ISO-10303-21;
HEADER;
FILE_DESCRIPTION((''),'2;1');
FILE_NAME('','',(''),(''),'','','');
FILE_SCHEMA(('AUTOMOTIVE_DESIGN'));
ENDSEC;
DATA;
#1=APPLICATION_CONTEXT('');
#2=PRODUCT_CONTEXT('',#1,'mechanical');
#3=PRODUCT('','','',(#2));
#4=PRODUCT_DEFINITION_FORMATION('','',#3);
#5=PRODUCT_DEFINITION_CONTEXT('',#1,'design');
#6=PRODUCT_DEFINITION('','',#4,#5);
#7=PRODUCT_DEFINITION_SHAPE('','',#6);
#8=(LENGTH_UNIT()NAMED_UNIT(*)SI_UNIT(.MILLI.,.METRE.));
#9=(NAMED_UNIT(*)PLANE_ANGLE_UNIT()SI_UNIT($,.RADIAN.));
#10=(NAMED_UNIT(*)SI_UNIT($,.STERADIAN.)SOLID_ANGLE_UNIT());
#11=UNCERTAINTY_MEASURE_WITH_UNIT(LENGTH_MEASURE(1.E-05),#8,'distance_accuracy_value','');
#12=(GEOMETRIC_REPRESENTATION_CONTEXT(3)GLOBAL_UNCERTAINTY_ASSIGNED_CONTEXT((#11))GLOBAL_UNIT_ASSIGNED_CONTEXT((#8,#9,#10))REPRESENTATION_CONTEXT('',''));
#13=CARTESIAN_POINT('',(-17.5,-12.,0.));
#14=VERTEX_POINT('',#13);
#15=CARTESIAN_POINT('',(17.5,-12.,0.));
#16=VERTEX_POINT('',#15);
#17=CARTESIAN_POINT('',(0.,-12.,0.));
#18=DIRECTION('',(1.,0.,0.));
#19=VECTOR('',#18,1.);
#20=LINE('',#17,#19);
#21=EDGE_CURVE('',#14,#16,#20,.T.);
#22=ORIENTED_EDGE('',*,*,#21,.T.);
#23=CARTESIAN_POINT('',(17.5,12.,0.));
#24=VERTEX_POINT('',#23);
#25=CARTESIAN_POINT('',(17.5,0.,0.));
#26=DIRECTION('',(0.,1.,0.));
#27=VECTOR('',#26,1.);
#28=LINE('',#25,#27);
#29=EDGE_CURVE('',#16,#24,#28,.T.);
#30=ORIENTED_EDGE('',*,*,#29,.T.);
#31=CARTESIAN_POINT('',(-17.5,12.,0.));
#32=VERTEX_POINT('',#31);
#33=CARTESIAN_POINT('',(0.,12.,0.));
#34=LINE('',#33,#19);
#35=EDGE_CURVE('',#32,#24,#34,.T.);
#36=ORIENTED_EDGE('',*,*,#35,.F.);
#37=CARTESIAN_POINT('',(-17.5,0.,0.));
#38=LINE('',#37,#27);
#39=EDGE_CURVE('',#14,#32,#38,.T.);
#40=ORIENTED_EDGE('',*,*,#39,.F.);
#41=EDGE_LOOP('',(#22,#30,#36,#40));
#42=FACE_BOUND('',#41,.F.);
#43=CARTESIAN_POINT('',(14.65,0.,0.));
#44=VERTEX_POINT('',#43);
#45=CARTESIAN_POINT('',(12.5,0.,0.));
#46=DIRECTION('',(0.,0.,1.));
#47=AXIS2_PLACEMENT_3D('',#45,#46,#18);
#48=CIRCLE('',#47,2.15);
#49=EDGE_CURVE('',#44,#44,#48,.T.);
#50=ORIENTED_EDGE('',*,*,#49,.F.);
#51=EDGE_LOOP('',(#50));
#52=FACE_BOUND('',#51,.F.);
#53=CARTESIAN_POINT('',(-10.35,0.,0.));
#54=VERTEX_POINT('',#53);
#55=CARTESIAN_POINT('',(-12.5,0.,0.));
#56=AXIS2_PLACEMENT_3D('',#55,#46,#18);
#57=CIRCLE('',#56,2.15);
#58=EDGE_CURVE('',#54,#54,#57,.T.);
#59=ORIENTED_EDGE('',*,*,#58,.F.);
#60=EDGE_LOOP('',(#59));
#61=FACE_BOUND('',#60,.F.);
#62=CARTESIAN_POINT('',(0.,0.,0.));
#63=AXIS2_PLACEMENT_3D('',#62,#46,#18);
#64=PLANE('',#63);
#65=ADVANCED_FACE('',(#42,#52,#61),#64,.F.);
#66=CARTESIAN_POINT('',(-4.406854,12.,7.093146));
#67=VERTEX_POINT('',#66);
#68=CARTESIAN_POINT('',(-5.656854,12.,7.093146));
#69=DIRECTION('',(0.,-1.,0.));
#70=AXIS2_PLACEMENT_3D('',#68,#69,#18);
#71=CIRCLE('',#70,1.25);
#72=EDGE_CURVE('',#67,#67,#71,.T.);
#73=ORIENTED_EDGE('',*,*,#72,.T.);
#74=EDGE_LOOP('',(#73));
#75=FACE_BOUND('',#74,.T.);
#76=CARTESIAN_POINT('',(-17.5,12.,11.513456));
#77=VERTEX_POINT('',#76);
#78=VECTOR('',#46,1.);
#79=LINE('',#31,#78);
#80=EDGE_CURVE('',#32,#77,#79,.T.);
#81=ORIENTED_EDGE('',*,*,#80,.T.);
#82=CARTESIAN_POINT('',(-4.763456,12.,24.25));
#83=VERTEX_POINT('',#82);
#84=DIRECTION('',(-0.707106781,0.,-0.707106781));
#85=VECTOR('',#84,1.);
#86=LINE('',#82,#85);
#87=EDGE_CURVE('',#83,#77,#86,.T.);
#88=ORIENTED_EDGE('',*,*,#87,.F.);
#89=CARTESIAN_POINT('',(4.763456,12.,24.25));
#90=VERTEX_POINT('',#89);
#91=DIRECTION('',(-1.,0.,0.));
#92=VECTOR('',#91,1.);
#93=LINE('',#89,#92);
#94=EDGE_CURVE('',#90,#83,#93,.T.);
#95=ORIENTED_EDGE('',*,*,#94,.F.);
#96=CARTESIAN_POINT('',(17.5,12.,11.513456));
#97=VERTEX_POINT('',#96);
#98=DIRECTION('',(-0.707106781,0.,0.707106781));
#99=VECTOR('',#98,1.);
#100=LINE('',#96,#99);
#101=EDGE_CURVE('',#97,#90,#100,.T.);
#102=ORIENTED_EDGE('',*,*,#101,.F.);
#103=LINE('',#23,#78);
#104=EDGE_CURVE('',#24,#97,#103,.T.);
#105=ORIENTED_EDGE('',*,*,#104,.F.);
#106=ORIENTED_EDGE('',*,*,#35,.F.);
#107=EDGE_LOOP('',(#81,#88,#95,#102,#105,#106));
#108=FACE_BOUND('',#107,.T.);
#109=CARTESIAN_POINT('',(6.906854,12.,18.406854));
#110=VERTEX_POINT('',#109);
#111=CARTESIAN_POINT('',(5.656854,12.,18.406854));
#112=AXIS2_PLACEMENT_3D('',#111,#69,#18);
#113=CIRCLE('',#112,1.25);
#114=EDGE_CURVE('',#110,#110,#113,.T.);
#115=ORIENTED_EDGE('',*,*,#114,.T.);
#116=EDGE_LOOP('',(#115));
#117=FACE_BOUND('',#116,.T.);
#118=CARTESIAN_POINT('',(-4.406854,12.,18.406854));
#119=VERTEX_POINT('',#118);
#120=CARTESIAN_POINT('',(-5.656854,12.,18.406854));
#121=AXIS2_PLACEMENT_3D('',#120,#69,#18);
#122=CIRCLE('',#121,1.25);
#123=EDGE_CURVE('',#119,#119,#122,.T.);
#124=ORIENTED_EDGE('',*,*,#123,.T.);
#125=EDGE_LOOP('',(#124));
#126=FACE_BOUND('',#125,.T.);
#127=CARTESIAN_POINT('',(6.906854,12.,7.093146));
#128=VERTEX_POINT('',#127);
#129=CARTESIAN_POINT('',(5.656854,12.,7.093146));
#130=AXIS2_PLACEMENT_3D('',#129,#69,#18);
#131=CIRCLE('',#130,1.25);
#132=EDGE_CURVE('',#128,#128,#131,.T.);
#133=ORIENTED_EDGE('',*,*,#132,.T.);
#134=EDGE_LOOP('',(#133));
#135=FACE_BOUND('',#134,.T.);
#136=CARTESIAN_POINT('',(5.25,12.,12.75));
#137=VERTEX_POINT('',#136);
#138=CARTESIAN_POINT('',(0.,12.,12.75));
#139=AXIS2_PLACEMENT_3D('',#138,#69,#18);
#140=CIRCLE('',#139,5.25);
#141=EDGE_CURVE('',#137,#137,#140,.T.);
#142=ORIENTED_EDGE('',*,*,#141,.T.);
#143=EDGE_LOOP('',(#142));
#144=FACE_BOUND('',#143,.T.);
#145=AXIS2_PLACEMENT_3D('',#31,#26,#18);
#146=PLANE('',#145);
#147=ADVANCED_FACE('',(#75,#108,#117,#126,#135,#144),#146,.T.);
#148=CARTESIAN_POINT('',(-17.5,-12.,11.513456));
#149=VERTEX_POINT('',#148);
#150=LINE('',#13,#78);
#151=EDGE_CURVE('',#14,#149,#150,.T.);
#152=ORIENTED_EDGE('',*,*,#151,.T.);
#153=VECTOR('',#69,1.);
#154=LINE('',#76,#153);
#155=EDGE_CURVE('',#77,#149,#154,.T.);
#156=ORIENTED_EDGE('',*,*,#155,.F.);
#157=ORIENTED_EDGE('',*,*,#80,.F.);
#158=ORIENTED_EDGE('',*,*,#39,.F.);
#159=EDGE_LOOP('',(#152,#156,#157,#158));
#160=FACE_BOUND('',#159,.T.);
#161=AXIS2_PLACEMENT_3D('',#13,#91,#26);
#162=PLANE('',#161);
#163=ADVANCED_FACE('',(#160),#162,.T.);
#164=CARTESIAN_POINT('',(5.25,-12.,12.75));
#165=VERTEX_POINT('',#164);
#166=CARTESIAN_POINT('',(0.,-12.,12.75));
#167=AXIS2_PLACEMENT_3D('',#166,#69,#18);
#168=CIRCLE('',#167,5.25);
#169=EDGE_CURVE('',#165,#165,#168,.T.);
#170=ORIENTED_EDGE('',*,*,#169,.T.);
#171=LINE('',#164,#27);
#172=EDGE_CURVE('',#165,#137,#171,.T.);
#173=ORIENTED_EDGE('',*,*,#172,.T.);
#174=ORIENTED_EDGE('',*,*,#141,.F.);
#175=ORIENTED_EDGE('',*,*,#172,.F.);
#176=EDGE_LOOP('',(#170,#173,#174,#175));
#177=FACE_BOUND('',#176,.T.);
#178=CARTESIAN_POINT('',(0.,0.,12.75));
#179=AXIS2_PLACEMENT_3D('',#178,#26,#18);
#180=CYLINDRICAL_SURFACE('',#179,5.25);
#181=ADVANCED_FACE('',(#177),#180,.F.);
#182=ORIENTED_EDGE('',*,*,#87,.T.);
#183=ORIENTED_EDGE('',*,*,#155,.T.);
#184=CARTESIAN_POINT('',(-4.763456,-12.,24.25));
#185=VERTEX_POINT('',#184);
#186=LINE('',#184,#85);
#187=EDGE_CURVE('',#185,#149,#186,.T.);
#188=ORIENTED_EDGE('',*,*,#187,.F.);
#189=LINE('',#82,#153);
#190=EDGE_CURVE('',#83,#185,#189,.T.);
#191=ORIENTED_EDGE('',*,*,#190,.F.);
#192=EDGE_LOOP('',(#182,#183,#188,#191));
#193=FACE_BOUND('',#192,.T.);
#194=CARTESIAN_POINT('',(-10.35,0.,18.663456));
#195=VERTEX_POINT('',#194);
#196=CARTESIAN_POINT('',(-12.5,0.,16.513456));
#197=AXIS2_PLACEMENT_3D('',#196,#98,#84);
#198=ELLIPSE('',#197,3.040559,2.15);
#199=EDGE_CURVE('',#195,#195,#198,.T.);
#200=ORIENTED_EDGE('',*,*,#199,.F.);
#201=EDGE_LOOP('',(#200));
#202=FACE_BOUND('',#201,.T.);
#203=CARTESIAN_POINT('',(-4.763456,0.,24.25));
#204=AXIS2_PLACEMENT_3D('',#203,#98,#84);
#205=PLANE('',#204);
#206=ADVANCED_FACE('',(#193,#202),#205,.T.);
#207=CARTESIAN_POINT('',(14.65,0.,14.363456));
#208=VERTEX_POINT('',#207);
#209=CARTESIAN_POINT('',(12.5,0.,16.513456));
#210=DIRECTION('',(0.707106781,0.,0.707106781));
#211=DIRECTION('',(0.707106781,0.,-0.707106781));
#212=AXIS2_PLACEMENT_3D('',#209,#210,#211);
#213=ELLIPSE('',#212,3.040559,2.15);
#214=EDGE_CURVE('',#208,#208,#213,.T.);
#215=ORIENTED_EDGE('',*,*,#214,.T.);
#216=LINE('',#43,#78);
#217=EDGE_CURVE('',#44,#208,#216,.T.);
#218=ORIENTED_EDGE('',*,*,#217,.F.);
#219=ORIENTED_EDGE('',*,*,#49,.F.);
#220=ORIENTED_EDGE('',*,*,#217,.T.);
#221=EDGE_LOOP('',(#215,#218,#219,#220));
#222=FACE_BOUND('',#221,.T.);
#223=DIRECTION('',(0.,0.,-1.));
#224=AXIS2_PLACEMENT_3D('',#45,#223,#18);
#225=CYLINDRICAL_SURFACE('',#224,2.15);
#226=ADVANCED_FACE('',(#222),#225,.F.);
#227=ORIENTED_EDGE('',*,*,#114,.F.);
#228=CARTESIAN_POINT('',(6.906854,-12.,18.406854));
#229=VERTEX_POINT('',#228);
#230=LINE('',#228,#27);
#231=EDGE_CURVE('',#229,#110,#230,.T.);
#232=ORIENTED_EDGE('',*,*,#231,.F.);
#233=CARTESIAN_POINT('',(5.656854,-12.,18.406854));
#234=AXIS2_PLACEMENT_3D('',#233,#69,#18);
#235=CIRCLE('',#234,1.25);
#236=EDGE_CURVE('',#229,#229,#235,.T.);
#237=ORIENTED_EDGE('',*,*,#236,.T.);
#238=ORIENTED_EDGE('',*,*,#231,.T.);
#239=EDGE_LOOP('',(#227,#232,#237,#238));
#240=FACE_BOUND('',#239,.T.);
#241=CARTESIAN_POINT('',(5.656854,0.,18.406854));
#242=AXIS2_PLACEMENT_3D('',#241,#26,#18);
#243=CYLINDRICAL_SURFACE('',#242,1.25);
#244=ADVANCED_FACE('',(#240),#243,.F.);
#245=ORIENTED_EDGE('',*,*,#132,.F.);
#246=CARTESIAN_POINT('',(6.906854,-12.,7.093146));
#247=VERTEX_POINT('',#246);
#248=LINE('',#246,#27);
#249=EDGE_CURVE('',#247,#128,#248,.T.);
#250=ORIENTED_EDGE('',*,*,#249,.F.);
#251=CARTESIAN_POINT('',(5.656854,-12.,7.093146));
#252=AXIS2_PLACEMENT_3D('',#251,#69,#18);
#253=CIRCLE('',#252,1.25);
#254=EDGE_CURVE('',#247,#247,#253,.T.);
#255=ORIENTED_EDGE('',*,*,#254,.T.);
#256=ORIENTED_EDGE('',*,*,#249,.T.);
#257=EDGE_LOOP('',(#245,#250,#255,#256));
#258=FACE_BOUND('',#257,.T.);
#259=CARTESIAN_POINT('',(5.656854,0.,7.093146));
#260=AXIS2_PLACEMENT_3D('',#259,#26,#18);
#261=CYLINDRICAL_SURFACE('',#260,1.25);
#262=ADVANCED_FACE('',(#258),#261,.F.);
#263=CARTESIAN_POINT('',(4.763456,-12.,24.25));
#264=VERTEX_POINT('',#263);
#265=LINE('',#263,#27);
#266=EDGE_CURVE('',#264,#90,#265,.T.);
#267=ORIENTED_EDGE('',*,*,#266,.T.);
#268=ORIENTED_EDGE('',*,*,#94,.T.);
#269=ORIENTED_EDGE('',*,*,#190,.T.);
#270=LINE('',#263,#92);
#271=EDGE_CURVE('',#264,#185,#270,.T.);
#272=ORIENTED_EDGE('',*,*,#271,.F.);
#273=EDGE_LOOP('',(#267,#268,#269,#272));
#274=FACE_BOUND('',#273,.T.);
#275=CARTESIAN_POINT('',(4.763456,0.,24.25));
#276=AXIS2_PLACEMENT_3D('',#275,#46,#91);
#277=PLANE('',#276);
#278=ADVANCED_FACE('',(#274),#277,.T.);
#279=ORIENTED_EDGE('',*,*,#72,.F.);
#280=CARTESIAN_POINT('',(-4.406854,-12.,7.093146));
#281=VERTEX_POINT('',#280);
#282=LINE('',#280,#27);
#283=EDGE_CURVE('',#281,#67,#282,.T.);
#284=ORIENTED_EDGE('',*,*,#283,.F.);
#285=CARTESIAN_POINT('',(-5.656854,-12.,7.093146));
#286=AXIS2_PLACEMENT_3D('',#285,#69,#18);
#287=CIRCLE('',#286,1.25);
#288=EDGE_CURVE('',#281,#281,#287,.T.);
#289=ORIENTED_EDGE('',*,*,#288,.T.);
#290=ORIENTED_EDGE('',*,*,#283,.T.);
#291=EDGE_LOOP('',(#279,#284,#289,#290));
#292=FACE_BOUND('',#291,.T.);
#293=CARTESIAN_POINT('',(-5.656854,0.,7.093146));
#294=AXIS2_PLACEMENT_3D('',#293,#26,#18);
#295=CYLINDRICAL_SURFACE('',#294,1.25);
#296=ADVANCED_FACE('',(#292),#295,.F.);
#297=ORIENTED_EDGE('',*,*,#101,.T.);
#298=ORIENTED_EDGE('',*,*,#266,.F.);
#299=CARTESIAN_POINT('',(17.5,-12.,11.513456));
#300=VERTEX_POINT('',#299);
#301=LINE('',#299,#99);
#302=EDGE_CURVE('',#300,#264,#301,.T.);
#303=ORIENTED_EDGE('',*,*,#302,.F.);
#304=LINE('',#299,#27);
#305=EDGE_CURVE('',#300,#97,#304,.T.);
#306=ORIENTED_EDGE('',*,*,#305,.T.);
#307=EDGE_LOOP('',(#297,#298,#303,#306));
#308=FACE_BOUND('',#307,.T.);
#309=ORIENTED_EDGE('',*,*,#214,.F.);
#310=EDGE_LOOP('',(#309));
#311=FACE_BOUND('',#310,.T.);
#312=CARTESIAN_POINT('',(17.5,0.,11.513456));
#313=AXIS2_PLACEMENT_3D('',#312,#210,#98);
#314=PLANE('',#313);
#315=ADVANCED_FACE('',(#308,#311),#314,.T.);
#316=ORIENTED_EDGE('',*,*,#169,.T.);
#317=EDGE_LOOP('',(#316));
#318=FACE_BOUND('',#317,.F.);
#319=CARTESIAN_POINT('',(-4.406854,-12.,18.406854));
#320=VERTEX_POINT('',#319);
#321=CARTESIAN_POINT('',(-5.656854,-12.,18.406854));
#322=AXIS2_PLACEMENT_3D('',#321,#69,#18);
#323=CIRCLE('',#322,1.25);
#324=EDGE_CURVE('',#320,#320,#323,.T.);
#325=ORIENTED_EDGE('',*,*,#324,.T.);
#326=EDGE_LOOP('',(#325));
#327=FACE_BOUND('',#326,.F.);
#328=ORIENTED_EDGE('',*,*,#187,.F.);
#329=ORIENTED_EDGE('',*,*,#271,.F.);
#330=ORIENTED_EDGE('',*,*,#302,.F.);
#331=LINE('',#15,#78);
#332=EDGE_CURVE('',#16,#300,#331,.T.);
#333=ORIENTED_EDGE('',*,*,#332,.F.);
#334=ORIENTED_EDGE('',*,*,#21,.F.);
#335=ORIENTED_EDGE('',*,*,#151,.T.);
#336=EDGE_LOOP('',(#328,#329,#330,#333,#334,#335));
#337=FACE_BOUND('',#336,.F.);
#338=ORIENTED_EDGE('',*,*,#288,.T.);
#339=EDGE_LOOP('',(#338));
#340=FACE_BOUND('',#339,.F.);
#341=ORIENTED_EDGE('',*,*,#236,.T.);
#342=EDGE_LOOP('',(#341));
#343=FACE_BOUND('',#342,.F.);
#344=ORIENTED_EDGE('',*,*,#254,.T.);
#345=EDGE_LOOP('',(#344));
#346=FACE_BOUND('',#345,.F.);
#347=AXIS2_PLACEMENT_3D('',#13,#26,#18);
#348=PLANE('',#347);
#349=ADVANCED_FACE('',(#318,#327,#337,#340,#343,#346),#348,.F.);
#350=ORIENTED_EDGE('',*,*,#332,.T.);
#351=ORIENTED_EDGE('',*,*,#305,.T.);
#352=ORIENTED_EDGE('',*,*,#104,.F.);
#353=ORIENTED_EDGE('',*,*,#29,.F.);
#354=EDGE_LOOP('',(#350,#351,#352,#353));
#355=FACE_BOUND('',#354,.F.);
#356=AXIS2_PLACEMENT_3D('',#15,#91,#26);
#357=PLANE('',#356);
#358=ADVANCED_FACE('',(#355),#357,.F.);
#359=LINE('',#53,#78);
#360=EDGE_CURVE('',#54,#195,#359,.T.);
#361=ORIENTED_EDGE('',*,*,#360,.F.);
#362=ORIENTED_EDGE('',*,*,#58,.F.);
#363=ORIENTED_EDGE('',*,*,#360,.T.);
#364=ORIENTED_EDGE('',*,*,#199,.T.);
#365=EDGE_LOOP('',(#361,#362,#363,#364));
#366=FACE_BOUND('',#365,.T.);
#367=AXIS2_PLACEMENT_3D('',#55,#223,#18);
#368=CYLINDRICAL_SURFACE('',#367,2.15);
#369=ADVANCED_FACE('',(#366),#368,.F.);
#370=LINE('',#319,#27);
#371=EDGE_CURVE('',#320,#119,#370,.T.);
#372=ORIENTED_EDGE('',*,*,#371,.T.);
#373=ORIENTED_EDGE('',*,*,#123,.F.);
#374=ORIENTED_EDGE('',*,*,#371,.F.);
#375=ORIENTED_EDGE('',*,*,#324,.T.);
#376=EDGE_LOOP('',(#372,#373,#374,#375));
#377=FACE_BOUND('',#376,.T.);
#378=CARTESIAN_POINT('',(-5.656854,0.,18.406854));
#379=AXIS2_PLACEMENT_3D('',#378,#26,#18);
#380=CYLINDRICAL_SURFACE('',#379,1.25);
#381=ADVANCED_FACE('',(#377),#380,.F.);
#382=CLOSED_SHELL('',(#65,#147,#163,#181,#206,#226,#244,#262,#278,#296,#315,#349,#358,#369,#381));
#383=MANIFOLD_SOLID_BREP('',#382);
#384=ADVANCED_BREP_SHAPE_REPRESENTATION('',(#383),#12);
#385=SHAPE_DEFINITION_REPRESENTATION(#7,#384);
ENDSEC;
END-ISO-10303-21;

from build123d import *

# Parameters (mm, degrees)
F0_W     = 35
F0_H     = 24
F0_R     = 2.15
F1_DEPTH = 35
F2_R     = 1.25
F2_R_2   = 5.25
F3_DEPTH = 12


with BuildPart() as f1:
    # F0 (on Top) → F1 (new body)
    with BuildSketch(Plane.XY):
        Rectangle(F0_W, F0_H)
        with Locations((-12.5, 0)):
            Circle(F0_R, mode=Mode.SUBTRACT)
        with Locations((12.5, 0)):
            Circle(F0_R, mode=Mode.SUBTRACT)
    extrude(amount=F1_DEPTH)

    # F2 (on Front) → F3 (intersect, symmetric)
    with BuildSketch(Plane.XZ):
        with BuildLine():
            ThreePointArc((0, 24.25), (4.400859, 23.374615), (8.131728, 20.881728))
            Line((8.131728, 20.881728), (4.763456, 24.25))
            Line((4.763456, 24.25), (0, 24.25))
        make_face()
        with BuildLine():
            ThreePointArc((-8.131728, 20.881728), (-4.400859, 23.374615), (0, 24.25))
            Line((0, 24.25), (-4.763456, 24.25))
            Line((-4.763456, 24.25), (-8.131728, 20.881728))
        make_face()
        with BuildLine():
            Line((11.5, 0), (11.5, 12.75))
            ThreePointArc((11.5, 12.75), (10.624615, 17.150859), (8.131728, 20.881728))
            ThreePointArc((8.131728, 20.881728), (4.400859, 23.374615), (0, 24.25))
            ThreePointArc((0, 24.25), (-4.400859, 23.374615), (-8.131728, 20.881728))
            ThreePointArc((-8.131728, 20.881728), (-10.624615, 17.150859), (-11.5, 12.75))
            Line((-11.5, 12.75), (-11.5, 0))
            Line((-11.5, 0), (11.5, 0))
        make_face()
        with Locations((-5.656854, 7.093146)):
            Circle(F2_R, mode=Mode.SUBTRACT)
        with Locations((5.656854, 7.093146)):
            Circle(F2_R, mode=Mode.SUBTRACT)
        with Locations((0, 12.75)):
            Circle(F2_R_2, mode=Mode.SUBTRACT)
        with Locations((-5.656854, 18.406854)):
            Circle(F2_R, mode=Mode.SUBTRACT)
        with Locations((5.656854, 18.406854)):
            Circle(F2_R, mode=Mode.SUBTRACT)
        with BuildLine():
            Line((-17.5, 0), (-11.5, 0))
            Line((-11.5, 0), (-11.5, 12.75))
            ThreePointArc((-11.5, 12.75), (-10.624615, 17.150859), (-8.131728, 20.881728))
            Line((-8.131728, 20.881728), (-17.5, 11.513456))
            Line((-17.5, 11.513456), (-17.5, 0))
        make_face()
        with BuildLine():
            ThreePointArc((8.131728, 20.881728), (10.624615, 17.150859), (11.5, 12.75))
            Line((11.5, 12.75), (11.5, 0))
            Line((11.5, 0), (17.5, 0))
            Line((17.5, 0), (17.5, 11.513456))
            Line((17.5, 11.513456), (8.131728, 20.881728))
        make_face()
    extrude(amount=F3_DEPTH, both=True, mode=Mode.INTERSECT)


solid = f1.part
